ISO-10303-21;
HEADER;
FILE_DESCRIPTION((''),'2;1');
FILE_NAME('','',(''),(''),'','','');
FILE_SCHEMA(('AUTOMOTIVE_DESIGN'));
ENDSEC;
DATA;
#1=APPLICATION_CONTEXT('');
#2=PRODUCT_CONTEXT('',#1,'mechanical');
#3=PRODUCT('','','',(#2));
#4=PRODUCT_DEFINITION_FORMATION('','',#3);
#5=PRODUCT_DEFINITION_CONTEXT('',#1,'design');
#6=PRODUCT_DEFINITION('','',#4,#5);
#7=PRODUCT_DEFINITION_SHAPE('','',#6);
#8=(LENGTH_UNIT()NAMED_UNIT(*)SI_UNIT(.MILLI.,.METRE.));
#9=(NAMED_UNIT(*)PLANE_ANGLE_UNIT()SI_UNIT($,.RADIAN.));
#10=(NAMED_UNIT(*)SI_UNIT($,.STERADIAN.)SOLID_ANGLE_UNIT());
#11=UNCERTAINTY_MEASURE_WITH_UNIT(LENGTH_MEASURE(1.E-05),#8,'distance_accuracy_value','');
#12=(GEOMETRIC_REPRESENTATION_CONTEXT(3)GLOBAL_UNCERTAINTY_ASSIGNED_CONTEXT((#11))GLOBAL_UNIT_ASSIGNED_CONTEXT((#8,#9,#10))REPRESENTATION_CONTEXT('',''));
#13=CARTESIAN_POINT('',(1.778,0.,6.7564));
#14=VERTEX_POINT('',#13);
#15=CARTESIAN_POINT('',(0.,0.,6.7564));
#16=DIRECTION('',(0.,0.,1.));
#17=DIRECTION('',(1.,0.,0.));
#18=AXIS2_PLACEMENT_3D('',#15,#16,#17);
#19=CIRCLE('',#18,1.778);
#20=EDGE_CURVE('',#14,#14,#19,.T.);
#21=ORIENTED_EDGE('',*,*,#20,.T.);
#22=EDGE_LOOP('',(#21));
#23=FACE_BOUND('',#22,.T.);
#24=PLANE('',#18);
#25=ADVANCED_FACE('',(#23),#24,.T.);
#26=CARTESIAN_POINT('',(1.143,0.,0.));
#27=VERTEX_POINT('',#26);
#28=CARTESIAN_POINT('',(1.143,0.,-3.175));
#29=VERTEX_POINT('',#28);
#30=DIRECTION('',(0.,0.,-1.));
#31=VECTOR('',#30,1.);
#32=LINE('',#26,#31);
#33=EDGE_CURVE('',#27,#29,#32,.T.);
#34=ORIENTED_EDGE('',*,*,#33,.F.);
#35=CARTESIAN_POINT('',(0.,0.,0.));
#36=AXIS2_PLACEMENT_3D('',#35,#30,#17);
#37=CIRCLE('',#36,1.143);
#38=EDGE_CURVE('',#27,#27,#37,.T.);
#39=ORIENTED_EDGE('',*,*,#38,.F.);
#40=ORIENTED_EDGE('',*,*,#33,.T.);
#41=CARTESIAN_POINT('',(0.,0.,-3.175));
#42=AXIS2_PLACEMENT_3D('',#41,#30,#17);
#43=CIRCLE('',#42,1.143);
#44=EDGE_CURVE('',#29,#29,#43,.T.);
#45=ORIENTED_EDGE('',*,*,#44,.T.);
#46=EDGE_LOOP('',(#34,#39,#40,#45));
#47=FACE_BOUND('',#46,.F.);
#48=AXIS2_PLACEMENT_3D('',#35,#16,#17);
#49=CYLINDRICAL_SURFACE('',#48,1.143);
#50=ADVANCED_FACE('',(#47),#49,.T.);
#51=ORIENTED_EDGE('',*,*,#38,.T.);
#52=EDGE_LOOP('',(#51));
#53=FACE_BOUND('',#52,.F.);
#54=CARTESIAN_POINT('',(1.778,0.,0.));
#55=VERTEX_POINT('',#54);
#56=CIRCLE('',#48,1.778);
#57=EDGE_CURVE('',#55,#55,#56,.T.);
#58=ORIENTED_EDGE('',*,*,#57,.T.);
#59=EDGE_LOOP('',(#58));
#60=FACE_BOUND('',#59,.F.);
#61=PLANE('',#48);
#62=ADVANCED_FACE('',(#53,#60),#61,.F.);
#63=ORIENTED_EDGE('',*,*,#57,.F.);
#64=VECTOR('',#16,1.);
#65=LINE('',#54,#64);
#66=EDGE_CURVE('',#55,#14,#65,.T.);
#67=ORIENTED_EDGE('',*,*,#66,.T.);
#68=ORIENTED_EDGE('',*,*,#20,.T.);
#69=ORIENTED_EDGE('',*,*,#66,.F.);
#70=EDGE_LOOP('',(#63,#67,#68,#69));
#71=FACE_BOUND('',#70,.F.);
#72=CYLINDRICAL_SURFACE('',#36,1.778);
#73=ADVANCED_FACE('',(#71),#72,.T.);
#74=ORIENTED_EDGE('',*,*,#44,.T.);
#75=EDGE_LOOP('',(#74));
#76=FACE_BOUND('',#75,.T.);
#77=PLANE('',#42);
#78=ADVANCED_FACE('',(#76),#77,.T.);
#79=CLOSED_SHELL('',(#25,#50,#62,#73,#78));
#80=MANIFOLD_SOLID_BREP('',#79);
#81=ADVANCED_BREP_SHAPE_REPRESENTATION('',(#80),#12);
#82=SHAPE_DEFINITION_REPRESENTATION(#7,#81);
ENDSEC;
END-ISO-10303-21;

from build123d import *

# Parameters (mm, degrees)
F0_R     = 1.778
F1_DEPTH = 6.7564
F3_R     = 1.1684
F4_DEPTH = 3.175
F5_R     = 1.143
F6_DEPTH = 3.175


with BuildPart() as f1:
    # F0 (on Top) → F1 (new body)
    with BuildSketch(Plane.XY):
        Circle(F0_R)
    extrude(amount=F1_DEPTH)

    # F3 (on face) → F4 (cut)
    with BuildSketch(Plane.XY.offset(6.7564)):
        Circle(F3_R)
    extrude(amount=F4_DEPTH, mode=Mode.SUBTRACT)

    # F5 (on face) → F6 (join)
    with BuildSketch(Plane(origin=(0, 0, 0), x_dir=(1, 0, 0), z_dir=(0, 0, -1))):
        Circle(F5_R)
    extrude(amount=F6_DEPTH)


solid = f1.part
